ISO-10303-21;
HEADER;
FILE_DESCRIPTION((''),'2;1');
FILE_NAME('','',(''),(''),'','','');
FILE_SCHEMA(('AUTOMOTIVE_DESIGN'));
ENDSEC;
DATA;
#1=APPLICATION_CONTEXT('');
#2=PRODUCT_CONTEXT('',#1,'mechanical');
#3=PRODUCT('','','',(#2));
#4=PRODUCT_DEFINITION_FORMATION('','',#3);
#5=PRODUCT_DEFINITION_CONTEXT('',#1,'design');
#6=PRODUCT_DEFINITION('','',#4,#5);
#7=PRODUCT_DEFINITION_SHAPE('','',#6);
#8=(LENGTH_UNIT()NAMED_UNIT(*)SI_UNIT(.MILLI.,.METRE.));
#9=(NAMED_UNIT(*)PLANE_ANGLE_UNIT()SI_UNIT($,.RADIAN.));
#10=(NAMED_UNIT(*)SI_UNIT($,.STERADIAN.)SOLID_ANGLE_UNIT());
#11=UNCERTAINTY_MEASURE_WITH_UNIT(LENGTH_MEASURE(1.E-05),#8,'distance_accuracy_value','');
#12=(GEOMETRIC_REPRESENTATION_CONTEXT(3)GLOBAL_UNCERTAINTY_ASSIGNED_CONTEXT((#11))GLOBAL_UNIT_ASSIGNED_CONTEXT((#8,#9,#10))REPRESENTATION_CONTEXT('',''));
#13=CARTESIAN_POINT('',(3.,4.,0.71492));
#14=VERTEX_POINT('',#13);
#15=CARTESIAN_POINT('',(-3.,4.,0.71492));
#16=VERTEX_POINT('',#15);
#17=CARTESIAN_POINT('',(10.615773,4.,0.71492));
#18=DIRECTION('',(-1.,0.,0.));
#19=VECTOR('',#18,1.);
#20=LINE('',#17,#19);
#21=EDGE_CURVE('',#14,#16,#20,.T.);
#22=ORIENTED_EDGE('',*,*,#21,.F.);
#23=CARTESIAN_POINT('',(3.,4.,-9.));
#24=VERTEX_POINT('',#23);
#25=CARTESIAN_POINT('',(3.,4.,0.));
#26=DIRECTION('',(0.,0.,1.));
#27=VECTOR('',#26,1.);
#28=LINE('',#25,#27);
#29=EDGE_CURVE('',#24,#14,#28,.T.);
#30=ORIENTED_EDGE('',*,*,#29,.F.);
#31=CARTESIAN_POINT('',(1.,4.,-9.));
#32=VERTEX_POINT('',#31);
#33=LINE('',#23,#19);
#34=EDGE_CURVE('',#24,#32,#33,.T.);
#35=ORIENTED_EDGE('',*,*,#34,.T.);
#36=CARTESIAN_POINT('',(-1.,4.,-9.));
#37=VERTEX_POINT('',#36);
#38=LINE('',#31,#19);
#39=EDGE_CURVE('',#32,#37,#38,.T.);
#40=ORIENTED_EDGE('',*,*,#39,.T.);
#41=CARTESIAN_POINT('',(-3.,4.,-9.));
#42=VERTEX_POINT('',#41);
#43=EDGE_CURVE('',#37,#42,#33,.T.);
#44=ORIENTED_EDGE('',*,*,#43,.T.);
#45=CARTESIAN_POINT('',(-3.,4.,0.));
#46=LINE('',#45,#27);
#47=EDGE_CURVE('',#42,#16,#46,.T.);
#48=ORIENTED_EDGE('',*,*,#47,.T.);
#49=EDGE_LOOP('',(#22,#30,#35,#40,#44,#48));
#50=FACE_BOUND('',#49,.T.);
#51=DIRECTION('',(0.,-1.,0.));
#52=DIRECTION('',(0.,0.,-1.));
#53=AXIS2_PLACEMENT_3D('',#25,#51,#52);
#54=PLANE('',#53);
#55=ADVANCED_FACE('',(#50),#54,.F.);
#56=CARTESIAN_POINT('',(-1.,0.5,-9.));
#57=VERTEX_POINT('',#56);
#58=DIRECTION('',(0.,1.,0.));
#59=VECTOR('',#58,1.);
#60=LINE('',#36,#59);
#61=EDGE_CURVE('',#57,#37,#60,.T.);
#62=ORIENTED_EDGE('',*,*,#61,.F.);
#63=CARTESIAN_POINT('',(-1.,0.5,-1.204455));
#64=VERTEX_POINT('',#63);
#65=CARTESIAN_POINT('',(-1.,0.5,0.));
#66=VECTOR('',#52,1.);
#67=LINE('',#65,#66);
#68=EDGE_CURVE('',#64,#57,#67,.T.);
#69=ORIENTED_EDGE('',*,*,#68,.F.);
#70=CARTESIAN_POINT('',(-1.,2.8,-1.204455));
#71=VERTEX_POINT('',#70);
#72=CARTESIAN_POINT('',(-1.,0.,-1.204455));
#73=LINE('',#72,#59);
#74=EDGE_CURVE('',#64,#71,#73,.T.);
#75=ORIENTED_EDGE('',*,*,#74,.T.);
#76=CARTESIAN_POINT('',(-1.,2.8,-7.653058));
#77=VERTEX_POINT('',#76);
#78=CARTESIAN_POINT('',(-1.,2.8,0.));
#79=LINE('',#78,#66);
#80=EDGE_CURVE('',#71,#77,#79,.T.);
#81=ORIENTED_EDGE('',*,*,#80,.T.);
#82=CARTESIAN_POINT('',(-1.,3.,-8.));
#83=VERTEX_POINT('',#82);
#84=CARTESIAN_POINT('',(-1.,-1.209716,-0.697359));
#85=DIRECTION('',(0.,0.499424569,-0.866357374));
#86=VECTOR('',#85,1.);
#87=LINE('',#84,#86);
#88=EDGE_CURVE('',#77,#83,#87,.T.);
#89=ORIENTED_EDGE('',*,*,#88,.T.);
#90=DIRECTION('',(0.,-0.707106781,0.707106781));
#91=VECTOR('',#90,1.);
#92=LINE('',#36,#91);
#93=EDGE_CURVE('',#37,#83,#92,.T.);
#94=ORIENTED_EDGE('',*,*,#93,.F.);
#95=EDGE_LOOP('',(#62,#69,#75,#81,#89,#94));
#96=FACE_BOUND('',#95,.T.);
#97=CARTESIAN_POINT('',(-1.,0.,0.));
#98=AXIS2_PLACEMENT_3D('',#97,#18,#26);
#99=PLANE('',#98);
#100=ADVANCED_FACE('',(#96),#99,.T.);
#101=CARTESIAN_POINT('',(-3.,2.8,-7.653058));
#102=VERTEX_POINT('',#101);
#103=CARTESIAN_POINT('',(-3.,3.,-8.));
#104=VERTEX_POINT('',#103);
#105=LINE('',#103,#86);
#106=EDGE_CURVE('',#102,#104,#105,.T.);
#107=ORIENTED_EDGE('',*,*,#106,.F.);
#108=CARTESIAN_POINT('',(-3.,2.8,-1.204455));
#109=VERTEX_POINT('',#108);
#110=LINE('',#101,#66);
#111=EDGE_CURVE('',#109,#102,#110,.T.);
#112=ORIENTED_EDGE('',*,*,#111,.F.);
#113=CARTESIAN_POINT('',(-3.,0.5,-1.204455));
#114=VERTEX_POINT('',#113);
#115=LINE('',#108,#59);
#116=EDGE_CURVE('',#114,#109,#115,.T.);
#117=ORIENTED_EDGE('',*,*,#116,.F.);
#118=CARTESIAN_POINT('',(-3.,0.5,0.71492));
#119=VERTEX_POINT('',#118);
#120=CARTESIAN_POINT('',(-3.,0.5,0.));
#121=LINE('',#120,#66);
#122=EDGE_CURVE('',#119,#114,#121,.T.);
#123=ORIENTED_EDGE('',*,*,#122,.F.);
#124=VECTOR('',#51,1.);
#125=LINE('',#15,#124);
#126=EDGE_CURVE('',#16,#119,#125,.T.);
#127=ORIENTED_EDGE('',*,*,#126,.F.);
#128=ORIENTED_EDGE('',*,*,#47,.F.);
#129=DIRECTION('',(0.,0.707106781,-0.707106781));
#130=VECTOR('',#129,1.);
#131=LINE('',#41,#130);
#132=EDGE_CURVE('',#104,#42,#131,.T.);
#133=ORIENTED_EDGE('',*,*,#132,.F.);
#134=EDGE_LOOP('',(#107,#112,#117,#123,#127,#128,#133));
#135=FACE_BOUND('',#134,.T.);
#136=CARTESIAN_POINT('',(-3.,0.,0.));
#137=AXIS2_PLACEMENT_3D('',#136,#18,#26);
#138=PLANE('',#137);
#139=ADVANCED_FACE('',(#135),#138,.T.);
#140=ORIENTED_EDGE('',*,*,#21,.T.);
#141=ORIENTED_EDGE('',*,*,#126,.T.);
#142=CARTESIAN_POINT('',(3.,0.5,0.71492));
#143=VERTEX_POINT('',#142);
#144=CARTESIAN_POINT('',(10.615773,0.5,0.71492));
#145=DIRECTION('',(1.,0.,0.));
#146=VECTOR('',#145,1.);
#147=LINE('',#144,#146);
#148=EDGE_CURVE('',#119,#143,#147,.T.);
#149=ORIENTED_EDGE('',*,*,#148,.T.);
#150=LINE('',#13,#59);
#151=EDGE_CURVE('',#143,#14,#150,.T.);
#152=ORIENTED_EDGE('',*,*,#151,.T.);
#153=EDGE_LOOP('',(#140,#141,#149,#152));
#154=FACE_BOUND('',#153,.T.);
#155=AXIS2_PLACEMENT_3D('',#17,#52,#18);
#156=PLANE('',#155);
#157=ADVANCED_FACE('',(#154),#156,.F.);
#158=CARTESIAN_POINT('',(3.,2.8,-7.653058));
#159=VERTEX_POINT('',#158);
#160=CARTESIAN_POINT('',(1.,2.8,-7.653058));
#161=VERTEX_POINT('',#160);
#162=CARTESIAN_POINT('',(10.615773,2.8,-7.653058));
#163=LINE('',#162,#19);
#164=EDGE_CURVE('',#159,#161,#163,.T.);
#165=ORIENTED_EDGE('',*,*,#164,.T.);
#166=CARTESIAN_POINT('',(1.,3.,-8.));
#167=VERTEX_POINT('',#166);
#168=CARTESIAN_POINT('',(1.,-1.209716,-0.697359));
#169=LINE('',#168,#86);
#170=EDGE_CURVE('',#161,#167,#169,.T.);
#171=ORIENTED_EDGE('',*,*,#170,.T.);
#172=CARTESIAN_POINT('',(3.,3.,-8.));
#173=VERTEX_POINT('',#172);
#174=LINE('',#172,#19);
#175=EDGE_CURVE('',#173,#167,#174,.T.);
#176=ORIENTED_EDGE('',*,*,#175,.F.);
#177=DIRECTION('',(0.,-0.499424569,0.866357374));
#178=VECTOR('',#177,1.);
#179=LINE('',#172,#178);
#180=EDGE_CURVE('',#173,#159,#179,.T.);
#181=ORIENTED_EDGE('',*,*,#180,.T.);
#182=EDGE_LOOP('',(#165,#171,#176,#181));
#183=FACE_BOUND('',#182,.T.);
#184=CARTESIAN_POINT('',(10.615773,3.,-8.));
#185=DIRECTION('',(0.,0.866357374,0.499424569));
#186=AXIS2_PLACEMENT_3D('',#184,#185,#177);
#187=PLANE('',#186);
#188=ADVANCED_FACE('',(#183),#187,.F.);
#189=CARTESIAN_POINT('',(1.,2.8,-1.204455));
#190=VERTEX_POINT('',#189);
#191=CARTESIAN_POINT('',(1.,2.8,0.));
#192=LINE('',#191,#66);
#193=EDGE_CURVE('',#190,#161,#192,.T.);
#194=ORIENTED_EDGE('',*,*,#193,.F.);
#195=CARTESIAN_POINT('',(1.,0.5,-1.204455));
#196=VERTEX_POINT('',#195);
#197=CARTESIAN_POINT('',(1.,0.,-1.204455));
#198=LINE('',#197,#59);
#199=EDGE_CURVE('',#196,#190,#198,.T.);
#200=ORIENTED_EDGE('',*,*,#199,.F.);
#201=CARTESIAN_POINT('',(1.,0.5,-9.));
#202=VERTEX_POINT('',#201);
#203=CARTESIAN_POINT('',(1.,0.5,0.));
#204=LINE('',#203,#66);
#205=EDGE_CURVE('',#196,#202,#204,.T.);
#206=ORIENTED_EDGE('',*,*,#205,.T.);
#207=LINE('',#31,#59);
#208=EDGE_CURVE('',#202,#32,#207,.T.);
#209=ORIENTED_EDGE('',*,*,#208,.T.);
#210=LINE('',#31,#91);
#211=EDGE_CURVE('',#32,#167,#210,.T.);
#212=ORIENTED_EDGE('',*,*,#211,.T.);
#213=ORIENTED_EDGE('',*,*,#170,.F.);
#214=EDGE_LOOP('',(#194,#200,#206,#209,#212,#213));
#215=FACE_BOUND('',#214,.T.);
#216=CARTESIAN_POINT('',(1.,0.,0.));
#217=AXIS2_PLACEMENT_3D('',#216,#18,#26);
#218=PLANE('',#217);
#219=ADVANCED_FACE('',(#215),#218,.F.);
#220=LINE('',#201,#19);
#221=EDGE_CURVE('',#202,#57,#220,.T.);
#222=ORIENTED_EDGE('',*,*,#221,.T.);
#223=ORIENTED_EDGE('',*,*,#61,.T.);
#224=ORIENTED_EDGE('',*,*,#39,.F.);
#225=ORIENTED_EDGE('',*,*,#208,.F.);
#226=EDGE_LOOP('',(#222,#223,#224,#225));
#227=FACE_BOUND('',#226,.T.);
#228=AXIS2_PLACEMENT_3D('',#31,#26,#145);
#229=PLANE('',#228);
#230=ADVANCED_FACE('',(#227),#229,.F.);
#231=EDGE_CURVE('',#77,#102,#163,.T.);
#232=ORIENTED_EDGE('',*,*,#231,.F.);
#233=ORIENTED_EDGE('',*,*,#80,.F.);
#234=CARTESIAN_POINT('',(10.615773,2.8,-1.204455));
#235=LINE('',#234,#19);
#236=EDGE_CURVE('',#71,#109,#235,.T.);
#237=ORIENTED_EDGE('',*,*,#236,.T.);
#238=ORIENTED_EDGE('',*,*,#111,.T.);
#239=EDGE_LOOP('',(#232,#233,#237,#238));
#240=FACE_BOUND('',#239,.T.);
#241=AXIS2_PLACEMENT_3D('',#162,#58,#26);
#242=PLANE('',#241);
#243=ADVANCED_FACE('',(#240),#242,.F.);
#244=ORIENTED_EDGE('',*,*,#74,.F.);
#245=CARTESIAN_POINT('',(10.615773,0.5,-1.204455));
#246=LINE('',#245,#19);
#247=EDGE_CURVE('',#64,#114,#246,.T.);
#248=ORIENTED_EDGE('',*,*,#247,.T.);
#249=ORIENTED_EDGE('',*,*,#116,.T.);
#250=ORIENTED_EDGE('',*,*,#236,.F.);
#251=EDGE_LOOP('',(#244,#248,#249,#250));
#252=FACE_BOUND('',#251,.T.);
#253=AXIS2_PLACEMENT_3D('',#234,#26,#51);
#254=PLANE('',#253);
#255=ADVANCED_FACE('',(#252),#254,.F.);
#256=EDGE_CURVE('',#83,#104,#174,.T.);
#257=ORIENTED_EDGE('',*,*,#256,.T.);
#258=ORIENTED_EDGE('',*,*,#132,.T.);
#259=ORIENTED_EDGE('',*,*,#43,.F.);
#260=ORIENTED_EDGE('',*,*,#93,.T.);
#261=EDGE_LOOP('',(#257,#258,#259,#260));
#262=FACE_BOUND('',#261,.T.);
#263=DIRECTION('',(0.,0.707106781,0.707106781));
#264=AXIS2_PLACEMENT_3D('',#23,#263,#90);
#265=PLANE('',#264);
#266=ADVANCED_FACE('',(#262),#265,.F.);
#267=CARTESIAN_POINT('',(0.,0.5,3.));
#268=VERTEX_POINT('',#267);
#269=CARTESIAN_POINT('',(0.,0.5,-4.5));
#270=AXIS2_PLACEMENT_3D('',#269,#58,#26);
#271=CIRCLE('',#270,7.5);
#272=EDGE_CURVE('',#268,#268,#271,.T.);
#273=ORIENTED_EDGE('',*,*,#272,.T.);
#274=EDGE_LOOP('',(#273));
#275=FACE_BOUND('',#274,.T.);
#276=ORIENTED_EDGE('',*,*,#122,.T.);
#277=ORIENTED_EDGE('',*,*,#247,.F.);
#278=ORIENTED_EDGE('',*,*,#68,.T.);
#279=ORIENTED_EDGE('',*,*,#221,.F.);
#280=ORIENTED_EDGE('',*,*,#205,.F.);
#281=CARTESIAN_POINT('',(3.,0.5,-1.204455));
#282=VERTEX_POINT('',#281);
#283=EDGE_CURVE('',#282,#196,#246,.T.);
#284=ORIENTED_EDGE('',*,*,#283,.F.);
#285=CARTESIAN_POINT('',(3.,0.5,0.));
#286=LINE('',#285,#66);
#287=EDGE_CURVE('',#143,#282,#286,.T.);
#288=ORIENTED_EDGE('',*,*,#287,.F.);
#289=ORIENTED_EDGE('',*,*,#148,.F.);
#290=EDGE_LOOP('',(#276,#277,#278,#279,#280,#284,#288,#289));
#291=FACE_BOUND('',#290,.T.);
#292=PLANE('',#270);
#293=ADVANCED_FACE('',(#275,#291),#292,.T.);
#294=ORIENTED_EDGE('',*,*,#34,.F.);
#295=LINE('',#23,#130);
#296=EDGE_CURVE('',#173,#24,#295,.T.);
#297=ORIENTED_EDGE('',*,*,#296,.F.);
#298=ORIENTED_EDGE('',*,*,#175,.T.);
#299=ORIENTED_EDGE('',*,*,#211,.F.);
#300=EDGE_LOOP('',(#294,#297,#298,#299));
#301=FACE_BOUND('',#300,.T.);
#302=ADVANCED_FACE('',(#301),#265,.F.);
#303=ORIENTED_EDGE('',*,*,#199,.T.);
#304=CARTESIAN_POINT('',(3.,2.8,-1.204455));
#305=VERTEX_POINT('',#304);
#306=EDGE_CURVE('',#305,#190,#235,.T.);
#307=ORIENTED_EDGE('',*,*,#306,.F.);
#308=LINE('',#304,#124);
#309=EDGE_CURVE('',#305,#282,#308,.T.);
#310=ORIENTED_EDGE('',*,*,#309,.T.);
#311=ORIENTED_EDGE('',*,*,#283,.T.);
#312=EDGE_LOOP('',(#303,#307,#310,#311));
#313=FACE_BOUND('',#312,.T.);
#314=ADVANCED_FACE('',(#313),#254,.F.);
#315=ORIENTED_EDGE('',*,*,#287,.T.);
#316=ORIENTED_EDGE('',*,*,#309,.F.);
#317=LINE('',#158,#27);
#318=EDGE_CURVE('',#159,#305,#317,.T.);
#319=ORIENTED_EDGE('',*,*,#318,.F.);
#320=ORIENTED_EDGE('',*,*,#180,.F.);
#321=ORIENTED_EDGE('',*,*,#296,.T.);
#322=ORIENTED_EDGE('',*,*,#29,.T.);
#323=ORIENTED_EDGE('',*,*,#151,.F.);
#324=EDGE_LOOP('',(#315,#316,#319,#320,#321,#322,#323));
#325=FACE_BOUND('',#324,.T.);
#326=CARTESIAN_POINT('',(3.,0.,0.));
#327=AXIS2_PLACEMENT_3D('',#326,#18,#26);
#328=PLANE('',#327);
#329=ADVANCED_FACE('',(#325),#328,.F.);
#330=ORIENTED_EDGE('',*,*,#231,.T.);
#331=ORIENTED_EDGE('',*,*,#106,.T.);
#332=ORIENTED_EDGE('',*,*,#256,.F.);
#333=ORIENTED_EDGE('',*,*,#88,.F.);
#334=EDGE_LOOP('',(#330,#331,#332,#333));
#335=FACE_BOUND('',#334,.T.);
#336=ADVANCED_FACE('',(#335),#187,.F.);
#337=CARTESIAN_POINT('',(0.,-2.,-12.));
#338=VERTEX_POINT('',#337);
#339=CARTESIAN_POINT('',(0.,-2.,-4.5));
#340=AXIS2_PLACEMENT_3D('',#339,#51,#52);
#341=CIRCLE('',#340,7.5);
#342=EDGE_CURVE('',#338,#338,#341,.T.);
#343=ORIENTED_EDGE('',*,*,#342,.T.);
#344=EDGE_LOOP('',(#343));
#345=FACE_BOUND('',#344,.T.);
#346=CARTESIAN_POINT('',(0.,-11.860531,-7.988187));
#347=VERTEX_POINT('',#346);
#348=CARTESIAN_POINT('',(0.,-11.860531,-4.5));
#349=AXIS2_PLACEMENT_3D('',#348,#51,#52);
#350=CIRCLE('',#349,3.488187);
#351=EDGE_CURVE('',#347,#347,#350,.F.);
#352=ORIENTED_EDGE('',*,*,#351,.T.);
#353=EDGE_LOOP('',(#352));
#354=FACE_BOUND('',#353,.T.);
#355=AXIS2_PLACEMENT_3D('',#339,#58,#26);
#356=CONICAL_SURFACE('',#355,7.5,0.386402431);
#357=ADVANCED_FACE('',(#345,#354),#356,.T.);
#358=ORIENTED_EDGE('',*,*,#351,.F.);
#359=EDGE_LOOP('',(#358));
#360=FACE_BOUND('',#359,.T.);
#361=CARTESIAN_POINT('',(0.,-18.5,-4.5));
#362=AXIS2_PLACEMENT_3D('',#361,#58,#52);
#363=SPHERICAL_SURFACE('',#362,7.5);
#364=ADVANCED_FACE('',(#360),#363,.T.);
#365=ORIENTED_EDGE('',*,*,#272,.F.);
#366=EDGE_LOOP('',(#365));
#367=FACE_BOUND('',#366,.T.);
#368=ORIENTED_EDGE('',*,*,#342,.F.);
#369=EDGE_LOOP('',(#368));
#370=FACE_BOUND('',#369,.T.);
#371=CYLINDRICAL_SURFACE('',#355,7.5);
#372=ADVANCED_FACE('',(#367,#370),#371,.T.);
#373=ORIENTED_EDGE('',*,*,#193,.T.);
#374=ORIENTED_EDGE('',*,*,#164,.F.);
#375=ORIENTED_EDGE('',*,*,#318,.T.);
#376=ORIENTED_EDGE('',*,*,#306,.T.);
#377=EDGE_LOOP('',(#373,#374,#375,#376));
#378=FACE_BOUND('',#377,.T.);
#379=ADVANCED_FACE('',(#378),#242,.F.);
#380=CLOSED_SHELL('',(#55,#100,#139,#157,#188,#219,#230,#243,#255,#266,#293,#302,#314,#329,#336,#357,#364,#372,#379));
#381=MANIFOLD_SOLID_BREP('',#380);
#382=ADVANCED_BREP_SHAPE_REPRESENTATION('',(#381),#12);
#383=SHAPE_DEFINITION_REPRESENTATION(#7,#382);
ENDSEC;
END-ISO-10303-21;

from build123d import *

# Parameters (mm, degrees)
SALIENTE_EXTRUIR1_DEPTH = 3
CROQUIS2_W              = 9
CROQUIS2_H              = 4
SALIENTE_EXTRUIR2_DEPTH = 1
CROQUIS3_R              = 7.5
SALIENTE_EXTRUIR3_DEPTH = 2
SALIENTE_EXTRUIR4_START = -3
CROQUIS7_W              = 0.714919667
CROQUIS7_H              = 4
SALIENTE_EXTRUIR4_DEPTH = 6
CROQUIS8_R              = 7.5
SALIENTE_EXTRUIR5_DEPTH = 0.5


with BuildPart() as part:
    # Croquis1 → Saliente-Extruir1 (new body, symmetric)
    with BuildSketch(Plane(origin=(0, 0, 0), x_dir=(0, 0, -1), z_dir=(1, 0, 0))):
        Polygon((0, 0), (0, 4), (9, 4), (8, 3), (1, 3), (1, 0), align=None)
    extrude(amount=SALIENTE_EXTRUIR1_DEPTH, both=True)

    # Croquis2 → Saliente-Extruir2 (add, symmetric)
    with BuildSketch(Plane(origin=(0, 0, 0), x_dir=(0, 0, -1), z_dir=(1, 0, 0))):
        with Locations((4.5, 2)):
            Rectangle(CROQUIS2_W, CROQUIS2_H)
    extrude(amount=SALIENTE_EXTRUIR2_DEPTH, both=True)

    # Croquis3 → Saliente-Extruir3 (add)
    with BuildSketch(Plane.XZ):
        with Locations((0, -4.5)):
            Circle(CROQUIS3_R)
    extrude(amount=SALIENTE_EXTRUIR3_DEPTH)

    # Croquis4 → Revolución1 (revolve)
    with BuildSketch(Plane(origin=(0, 0, 0), x_dir=(0, 0, -1), z_dir=(1, 0, 0))):
        Polygon((-3, -2), (1.475412378, -13), (4.5, -13), (4.5, -2), align=None)
    revolve(axis=Axis((0, -13, -4.5), (0, 1, 0)))

    # Croquis5 → Revolución2 (revolve)
    with BuildSketch(Plane(origin=(0, 0, 0), x_dir=(0, 0, -1), z_dir=(1, 0, 0))):
        with BuildLine():
            Line((4.5, -11), (4.5, -26))
            ThreePointArc((4.5, -26), (-3, -18.5), (4.5, -11))
        make_face()
    revolve(axis=Axis((0, -11, -4.5), (0, -1, 0)))

    # Croquis7 → Saliente-Extruir4 (add)
    with BuildSketch(Plane(origin=(0, 0, 0), x_dir=(0, 0, -1), z_dir=(1, 0, 0)).offset(SALIENTE_EXTRUIR4_START)):
        Polygon((1, 3), (1, 0), (1.204454973, 0), (1.204454973, 2.8), (7.653057768, 2.8), (8, 3), align=None)
        with Locations((-0.357459834, 2)):
            Rectangle(CROQUIS7_W, CROQUIS7_H)
    extrude(amount=SALIENTE_EXTRUIR4_DEPTH)

    # Croquis8 → Saliente-Extruir5 (add)
    with BuildSketch(Plane(origin=(0, 0, 0), x_dir=(1, 0, 0), z_dir=(0, 1, 0))):
        with Locations((0, 4.5)):
            Circle(CROQUIS8_R)
    extrude(amount=SALIENTE_EXTRUIR5_DEPTH)


solid = part.part
